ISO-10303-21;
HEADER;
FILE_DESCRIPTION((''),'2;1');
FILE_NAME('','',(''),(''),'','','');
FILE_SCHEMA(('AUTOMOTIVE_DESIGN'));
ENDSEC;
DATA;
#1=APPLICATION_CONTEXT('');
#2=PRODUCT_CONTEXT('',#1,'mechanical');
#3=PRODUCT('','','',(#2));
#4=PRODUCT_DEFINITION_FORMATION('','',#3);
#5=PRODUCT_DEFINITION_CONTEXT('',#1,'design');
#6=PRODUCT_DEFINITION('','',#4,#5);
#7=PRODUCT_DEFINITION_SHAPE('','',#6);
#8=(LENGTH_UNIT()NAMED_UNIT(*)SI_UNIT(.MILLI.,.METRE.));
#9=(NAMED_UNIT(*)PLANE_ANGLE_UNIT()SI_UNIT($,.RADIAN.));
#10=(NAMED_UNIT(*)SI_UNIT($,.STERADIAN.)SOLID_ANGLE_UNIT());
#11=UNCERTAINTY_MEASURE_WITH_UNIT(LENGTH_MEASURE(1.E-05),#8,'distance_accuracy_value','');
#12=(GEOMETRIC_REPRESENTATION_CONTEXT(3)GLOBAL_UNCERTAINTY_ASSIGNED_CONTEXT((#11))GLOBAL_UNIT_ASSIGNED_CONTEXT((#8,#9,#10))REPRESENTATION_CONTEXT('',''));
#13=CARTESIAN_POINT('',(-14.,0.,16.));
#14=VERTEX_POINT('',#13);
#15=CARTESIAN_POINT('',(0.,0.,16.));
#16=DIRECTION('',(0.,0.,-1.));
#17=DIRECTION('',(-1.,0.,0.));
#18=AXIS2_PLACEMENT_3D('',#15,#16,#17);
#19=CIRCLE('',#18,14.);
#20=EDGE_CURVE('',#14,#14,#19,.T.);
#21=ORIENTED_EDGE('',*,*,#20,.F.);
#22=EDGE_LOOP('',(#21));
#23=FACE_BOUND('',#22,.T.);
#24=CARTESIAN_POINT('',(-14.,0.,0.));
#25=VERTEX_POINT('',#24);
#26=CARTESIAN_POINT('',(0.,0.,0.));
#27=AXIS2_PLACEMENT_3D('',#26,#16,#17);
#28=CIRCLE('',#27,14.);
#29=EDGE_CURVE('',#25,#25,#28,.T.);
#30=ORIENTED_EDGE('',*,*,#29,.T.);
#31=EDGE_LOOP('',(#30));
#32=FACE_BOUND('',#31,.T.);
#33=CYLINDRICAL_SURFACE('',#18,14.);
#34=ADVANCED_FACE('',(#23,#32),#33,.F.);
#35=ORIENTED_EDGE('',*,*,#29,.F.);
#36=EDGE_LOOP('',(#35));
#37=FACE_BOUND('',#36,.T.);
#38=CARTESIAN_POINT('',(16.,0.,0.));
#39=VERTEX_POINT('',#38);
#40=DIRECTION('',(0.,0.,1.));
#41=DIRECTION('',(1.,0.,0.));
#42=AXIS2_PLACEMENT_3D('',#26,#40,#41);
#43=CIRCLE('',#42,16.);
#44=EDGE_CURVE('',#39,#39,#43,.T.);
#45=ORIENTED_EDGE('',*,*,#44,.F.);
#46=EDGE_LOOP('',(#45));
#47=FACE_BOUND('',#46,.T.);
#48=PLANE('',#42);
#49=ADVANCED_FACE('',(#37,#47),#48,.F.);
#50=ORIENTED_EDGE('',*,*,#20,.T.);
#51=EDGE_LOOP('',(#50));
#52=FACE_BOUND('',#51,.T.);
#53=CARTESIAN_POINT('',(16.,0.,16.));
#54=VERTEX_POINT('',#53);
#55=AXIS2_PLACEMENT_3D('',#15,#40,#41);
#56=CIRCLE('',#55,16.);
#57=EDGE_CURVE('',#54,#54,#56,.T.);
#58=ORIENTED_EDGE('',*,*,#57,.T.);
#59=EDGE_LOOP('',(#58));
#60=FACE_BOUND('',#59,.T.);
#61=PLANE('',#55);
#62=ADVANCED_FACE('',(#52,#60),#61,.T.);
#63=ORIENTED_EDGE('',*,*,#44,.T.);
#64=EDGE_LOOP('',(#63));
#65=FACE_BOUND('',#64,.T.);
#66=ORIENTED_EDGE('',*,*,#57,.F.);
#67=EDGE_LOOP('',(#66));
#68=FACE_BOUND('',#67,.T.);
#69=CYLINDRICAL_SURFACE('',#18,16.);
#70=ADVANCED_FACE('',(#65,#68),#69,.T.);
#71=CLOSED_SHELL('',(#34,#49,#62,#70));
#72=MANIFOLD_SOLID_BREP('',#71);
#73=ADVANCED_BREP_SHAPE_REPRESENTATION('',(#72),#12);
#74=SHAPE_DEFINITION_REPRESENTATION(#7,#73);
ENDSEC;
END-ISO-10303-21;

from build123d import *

# Parameters (mm, degrees)
SKETCH_1_R          = 16
EXTRUDE_1_DEPTH     = 16
SKETCH_2_R          = 14
CUT_EXTRUDE_1_DEPTH = 17


with BuildPart() as part:
    # Эскиз1 → Бобышка-Вытянуть1 (new body)
    with BuildSketch(Plane.XY):
        Circle(SKETCH_1_R)
    extrude(amount=EXTRUDE_1_DEPTH)

    # Эскиз2 → Вырез-Вытянуть1 (cut, through all)
    with BuildSketch(Plane(origin=(0, 0, 0), x_dir=(-1, 0, 0), z_dir=(0, 0, -1))):
        Circle(SKETCH_2_R)
    extrude(amount=-CUT_EXTRUDE_1_DEPTH, mode=Mode.SUBTRACT)


solid = part.part
